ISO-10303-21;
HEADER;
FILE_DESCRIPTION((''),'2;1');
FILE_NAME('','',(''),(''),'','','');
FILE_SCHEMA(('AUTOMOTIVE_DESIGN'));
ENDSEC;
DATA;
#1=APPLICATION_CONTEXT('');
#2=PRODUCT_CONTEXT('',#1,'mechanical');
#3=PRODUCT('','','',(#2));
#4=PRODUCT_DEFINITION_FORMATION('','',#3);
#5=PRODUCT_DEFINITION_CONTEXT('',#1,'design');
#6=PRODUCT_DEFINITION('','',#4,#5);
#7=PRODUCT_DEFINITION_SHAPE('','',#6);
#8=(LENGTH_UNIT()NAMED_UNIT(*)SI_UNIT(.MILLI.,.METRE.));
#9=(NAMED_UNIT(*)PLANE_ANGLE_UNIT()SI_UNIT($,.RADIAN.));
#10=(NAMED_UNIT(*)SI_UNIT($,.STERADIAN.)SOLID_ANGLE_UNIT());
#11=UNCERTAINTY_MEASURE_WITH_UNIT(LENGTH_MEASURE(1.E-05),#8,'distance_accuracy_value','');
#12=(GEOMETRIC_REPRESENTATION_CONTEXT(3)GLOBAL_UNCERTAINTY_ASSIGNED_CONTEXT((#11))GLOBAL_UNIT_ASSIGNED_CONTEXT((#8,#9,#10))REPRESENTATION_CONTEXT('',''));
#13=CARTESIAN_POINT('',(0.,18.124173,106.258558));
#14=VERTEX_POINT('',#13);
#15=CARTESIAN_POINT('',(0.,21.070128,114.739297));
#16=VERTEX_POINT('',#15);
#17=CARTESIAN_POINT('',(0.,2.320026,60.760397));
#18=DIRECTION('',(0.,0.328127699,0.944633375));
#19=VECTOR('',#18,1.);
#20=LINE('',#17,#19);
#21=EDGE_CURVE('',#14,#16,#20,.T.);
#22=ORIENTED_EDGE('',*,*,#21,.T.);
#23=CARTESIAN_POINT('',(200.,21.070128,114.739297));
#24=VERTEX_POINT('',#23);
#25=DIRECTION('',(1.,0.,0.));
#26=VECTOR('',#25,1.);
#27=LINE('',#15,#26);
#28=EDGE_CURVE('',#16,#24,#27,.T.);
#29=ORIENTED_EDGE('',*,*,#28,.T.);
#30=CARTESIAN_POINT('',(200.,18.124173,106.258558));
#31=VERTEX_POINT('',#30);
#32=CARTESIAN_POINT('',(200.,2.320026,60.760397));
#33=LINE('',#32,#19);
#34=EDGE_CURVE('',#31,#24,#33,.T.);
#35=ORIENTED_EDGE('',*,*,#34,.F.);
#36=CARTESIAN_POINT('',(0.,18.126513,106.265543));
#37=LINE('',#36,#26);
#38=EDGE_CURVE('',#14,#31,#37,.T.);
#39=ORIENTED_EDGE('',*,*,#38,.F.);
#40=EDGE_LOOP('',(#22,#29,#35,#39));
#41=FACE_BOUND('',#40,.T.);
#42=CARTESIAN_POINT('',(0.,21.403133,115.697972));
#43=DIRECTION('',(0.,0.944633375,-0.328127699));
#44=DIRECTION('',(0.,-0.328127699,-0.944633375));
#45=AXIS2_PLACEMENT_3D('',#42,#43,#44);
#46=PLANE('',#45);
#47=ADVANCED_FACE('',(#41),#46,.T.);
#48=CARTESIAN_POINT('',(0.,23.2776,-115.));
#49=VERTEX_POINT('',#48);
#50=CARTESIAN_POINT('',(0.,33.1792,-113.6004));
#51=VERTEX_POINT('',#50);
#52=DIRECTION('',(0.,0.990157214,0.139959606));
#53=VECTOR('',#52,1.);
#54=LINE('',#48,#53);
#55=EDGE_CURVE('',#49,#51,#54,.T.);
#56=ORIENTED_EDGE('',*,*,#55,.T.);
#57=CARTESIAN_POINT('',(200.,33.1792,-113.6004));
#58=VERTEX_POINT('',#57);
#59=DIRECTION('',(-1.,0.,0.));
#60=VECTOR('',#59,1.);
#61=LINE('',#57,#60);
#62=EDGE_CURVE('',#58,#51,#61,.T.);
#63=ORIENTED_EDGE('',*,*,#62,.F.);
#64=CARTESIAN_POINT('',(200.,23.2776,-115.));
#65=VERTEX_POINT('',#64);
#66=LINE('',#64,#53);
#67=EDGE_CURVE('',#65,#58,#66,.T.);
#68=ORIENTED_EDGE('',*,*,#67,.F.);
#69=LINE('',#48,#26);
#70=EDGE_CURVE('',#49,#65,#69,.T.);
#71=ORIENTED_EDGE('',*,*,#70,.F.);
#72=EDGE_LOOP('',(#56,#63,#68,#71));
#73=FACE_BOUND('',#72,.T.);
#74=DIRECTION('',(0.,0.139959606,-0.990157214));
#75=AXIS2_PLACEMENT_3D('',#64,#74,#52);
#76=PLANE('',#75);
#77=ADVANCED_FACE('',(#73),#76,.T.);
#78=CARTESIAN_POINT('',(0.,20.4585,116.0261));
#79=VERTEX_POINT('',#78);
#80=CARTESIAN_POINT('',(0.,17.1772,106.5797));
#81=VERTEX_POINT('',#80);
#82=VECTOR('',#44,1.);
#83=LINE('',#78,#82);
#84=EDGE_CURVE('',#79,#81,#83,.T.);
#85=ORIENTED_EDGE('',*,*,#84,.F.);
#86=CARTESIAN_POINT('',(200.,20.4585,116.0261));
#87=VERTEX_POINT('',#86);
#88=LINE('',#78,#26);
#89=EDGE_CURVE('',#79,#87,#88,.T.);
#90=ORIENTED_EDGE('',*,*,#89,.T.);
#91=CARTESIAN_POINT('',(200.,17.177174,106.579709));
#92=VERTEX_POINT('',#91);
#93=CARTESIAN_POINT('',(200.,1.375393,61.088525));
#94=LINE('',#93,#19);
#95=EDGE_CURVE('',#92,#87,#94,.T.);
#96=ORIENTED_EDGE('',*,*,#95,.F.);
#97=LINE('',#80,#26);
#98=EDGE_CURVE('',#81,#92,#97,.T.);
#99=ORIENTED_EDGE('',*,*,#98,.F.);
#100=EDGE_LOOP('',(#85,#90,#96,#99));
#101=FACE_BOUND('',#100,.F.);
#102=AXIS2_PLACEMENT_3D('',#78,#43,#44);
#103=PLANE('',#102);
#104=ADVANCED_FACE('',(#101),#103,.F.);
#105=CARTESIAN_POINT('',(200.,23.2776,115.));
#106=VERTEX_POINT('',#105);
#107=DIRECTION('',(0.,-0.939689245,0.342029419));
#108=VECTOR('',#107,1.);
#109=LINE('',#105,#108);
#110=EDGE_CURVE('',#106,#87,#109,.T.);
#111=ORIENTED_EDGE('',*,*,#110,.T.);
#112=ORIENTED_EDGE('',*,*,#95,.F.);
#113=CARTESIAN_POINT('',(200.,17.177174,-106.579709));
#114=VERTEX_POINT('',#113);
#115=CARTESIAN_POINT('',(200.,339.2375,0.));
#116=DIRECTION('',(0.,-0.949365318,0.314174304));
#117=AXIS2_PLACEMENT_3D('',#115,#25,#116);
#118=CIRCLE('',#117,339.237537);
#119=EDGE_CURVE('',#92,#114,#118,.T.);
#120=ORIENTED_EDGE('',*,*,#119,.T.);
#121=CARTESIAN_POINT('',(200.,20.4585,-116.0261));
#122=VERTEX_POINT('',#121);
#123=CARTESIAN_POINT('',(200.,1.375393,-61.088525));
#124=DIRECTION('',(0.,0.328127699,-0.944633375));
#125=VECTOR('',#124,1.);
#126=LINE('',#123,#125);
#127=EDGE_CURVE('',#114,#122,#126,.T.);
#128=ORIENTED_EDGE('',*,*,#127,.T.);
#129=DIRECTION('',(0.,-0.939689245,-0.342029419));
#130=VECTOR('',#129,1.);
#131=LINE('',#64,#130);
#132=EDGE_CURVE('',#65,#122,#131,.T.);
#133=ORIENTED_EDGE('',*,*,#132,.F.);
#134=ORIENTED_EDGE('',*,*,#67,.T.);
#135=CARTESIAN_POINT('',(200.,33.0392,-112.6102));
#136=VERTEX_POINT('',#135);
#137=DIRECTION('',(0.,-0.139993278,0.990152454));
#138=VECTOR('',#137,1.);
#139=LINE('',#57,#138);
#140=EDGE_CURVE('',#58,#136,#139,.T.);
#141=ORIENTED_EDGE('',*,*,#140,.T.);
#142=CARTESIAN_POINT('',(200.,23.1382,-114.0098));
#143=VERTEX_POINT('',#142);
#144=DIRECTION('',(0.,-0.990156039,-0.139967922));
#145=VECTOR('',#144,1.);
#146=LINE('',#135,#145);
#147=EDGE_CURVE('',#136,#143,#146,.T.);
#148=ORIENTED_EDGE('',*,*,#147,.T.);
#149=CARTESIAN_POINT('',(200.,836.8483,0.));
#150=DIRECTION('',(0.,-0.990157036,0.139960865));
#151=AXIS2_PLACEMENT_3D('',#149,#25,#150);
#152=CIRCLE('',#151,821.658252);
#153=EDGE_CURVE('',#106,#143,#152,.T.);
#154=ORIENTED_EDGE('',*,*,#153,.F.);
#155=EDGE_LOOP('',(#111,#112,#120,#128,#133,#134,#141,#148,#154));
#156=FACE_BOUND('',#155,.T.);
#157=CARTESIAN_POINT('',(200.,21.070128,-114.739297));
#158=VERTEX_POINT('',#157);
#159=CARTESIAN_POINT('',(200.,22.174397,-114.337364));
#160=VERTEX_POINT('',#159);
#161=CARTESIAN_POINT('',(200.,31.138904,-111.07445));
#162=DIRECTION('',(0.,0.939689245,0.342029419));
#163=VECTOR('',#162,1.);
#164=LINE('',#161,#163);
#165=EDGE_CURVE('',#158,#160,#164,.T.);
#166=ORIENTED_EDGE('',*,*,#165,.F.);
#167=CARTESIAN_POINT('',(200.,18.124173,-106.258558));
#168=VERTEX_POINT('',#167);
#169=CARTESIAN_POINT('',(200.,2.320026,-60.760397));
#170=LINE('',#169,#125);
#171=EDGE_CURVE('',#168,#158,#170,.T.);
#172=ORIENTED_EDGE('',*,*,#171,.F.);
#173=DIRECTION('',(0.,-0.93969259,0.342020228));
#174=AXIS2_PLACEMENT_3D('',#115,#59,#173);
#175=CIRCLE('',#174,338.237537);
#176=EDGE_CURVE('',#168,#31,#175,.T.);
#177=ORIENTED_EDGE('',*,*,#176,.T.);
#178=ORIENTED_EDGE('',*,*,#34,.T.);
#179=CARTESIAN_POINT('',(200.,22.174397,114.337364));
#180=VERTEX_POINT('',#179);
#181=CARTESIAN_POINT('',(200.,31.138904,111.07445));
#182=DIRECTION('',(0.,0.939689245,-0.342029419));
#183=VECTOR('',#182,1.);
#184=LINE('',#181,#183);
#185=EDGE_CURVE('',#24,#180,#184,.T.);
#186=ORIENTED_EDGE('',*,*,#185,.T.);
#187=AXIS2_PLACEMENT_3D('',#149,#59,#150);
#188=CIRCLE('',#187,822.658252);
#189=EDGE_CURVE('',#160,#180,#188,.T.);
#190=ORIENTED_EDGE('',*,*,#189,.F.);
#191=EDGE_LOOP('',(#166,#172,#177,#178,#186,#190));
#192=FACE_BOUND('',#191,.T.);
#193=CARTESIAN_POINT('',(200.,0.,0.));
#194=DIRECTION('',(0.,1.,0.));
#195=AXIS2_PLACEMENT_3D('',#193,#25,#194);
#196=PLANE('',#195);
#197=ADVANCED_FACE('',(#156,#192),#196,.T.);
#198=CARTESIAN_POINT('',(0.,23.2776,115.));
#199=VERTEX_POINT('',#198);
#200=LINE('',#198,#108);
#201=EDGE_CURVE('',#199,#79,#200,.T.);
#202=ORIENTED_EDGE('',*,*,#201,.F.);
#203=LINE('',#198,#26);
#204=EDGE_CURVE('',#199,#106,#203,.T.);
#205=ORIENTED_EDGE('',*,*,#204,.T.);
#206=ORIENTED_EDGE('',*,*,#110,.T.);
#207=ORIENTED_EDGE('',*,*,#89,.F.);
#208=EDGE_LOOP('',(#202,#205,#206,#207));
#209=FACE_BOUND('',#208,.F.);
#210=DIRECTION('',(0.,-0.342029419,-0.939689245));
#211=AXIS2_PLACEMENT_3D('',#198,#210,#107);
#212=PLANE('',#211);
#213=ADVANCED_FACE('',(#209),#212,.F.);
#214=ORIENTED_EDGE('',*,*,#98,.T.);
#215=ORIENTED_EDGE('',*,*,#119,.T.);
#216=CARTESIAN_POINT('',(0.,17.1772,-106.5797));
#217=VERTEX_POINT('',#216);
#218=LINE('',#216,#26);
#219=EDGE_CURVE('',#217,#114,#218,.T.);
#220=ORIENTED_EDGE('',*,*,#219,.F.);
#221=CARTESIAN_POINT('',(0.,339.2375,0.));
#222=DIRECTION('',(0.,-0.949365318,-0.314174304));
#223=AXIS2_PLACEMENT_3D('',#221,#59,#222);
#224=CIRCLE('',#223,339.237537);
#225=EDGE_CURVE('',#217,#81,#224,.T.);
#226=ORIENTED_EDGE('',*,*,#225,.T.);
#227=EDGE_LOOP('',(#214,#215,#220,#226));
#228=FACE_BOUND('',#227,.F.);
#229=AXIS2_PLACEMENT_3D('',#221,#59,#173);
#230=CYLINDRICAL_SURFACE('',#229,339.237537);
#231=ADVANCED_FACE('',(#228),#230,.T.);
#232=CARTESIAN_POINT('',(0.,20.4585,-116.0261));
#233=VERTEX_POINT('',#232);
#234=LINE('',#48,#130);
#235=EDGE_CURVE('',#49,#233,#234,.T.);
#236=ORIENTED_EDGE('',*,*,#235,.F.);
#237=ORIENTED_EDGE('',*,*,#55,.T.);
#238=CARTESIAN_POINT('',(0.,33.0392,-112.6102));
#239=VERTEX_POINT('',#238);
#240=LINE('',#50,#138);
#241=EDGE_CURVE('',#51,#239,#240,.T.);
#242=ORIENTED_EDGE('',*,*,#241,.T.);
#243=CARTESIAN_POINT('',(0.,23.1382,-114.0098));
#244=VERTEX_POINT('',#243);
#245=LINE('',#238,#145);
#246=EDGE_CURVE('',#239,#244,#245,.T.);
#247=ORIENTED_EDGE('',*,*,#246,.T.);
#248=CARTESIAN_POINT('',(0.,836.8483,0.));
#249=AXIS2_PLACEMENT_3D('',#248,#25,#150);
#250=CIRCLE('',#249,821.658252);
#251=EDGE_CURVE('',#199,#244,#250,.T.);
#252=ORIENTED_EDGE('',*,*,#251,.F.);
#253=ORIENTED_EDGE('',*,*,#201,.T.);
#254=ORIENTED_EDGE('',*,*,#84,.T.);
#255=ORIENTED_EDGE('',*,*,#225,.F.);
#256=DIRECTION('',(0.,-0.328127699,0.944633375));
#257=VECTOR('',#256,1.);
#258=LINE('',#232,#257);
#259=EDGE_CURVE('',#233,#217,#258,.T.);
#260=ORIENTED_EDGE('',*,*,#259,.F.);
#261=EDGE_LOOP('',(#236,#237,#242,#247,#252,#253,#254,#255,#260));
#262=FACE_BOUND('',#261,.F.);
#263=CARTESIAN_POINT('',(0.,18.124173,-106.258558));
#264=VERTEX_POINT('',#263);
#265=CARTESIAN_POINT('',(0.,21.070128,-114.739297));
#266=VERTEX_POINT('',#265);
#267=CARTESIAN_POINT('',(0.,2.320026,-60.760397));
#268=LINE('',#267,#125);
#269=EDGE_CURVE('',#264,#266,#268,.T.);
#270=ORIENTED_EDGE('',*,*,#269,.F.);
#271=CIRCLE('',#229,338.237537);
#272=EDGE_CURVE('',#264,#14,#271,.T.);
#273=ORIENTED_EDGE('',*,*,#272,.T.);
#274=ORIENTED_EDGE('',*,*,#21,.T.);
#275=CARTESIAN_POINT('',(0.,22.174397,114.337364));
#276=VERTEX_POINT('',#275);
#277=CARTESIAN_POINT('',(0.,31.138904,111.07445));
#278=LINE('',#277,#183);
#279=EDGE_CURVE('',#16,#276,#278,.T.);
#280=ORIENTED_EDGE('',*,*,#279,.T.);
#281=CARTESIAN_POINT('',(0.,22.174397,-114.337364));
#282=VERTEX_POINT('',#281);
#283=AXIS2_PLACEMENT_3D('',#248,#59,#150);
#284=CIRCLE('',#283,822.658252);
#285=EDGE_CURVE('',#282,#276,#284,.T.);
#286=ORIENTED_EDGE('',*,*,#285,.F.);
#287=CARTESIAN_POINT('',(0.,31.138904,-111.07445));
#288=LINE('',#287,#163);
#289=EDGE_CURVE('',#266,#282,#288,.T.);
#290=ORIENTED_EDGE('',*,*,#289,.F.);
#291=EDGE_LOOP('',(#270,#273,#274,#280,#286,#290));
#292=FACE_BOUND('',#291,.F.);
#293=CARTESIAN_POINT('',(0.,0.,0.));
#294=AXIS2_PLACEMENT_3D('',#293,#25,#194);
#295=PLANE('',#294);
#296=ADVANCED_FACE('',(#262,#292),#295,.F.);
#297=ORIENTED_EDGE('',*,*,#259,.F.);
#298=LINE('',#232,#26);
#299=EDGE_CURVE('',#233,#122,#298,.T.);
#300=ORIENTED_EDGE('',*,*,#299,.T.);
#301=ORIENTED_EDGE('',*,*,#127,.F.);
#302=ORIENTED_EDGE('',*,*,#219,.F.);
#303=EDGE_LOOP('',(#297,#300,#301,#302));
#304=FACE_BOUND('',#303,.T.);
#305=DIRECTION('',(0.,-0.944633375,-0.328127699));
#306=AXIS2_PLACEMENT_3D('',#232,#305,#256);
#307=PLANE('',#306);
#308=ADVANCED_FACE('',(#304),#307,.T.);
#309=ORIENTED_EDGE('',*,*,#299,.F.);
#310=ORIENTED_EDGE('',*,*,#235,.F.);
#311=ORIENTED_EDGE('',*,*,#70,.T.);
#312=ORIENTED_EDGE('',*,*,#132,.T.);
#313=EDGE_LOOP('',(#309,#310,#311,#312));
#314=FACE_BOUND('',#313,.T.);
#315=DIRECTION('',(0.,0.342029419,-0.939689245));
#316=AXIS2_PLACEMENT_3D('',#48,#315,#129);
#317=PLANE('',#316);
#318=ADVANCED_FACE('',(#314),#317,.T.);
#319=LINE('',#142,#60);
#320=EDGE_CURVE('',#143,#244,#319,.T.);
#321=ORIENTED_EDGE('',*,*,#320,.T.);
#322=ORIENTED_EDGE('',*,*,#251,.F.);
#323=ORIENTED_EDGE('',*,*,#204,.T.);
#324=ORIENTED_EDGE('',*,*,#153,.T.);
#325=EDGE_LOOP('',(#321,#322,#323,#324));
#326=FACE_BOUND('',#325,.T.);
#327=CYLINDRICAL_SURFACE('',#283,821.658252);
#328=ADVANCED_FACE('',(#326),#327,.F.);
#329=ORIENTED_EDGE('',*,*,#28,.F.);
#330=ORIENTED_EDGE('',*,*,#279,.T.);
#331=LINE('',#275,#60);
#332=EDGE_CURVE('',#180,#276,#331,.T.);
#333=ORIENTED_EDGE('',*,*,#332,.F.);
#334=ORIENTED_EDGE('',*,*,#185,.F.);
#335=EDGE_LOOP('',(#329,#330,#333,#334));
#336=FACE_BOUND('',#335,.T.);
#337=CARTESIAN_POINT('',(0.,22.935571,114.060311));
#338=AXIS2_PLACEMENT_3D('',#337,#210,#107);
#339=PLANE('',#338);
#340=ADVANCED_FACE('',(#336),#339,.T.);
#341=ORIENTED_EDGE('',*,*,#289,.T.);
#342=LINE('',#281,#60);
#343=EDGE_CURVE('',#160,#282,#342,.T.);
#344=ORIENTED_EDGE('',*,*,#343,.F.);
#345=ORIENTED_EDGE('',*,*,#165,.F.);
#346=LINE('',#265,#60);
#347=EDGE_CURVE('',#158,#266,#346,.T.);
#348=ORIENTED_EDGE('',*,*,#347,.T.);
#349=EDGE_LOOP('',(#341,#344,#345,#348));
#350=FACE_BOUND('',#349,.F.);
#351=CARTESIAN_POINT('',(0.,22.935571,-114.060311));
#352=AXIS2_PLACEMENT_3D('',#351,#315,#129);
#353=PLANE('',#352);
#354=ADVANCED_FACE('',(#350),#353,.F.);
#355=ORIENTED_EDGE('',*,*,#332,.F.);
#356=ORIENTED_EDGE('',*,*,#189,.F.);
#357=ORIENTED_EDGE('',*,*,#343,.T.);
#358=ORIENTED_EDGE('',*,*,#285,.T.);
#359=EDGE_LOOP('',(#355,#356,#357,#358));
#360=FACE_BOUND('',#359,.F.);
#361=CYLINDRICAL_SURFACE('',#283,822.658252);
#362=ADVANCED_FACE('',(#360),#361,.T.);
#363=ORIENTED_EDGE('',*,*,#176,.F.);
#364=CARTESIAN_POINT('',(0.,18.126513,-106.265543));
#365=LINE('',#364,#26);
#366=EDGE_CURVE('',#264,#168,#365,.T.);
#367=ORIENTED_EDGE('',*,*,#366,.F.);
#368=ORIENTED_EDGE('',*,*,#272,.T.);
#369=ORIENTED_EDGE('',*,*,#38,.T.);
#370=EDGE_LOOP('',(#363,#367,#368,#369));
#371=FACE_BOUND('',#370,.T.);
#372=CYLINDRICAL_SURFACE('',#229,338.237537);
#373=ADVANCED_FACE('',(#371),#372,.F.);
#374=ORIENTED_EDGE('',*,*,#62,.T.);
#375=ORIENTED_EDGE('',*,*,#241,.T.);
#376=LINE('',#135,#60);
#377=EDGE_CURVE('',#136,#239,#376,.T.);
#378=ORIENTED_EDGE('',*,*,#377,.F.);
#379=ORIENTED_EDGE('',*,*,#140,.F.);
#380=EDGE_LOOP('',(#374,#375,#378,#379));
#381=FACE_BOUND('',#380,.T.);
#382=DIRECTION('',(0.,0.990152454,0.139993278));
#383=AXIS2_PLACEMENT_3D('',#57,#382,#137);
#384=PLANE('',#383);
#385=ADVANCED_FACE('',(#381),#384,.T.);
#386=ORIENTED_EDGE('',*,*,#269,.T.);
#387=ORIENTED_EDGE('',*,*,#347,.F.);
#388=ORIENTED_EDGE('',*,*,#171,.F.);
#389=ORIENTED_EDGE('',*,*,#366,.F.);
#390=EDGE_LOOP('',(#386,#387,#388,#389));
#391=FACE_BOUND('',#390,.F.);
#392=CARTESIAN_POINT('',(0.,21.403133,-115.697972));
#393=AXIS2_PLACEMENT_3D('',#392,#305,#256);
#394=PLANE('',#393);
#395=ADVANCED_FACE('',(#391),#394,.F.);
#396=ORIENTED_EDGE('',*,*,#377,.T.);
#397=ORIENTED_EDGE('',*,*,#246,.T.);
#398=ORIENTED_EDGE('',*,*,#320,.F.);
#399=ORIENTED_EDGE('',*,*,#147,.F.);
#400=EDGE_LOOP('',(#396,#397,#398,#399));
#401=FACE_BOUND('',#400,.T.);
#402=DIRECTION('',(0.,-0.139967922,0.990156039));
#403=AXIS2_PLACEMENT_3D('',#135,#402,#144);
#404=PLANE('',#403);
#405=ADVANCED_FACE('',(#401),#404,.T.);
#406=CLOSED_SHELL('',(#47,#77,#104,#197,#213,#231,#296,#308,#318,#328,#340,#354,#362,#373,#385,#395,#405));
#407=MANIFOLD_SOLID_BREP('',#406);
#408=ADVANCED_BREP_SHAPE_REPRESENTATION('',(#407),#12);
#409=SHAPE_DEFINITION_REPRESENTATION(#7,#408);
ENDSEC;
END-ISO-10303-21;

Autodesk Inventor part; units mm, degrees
ref_plane "YZ Plane" through (0, 0, 0) normal (1, 0, 0) x (0, 1, 0)
ref_plane "XZ Plane" through (0, 0, 0) normal (0, 1, 0) x (-1, 0, 0)
ref_plane "XY Plane" through (0, 0, 0) normal (0, 0, 1) x (1, 0, 0)
sketch "スケッチ1" plane through (0, 0, 0) normal (1, 0, 0) x (0, 1, 0)
  arc A0 (20.4585, 116.0261) -> (20.4585, -116.0261) centre (339.2375, 0) ccw
  line L0 (23.2776, 115) -> (20.4585, 116.0261)
  line L1 (23.2776, -115) -> (20.4585, -116.0261)
  line L2 (0, -162.4365) -> (0, 162.4365) projected
  arc A1 (23.2776, 115) -> (23.2776, -115) centre (836.8483, 0) ccw
  point P0 (0, 0)
  point P1 (0, 0)
  dimension "d0" = 3
  dimension "d1" = 230
  dimension "d2" = 40
  dimension "d12" = 3
extrude "押し出し1" add sketch "スケッチ1" along normal blind 200
sketch "スケッチ2" plane through (0, 0, 0) normal (-1, 0, 0) x (0, 0, 1)
  line L0 (-116.0261, 20.4585) -> (-106.5797, 17.1772)
  arc A0 (-116.0261, 20.4585) -> (116.0261, 20.4585) centre (0, 339.2375) ccw projected
  line L1 (0, 0) -> (0, -168.7214)
  line L2 (116.0261, 20.4585) -> (106.5797, 17.1772)
  arc A1 (-116.0261, 20.4585) -> (116.0261, 20.4585) centre (0, 339.2375) ccw
  point P0 (-116.0261, 20.4585)
  dimension "d13" = 10
extrude "押し出し2" cut sketch "スケッチ2" against normal through all
shell "シェル1" thickness 1 removed faces 2 at (0, 10.498, -16.8297) at (200, 10.498, -16.8297)
sketch "スケッチ6" plane through (200, 0, 0) normal (1, 0, 0) x (0, 0, -1)
  arc A0 (-115, 23.2776) -> (115, 23.2776) centre (0, 836.8483) ccw projected
  line L0 (115, 23.2776) -> (113.6004, 33.1792)
  line L1 (113.6004, 33.1792) -> (112.6102, 33.0392)
  line L2 (112.6102, 33.0392) -> (114.0098, 23.1382)
  point P0 (0, 0)
  dimension "d18" = 1
  dimension "d19" = 10
extrude "押し出し5" add sketch "スケッチ6" against normal blind 200
properties part number "element_gurnee" material "CFRP"
